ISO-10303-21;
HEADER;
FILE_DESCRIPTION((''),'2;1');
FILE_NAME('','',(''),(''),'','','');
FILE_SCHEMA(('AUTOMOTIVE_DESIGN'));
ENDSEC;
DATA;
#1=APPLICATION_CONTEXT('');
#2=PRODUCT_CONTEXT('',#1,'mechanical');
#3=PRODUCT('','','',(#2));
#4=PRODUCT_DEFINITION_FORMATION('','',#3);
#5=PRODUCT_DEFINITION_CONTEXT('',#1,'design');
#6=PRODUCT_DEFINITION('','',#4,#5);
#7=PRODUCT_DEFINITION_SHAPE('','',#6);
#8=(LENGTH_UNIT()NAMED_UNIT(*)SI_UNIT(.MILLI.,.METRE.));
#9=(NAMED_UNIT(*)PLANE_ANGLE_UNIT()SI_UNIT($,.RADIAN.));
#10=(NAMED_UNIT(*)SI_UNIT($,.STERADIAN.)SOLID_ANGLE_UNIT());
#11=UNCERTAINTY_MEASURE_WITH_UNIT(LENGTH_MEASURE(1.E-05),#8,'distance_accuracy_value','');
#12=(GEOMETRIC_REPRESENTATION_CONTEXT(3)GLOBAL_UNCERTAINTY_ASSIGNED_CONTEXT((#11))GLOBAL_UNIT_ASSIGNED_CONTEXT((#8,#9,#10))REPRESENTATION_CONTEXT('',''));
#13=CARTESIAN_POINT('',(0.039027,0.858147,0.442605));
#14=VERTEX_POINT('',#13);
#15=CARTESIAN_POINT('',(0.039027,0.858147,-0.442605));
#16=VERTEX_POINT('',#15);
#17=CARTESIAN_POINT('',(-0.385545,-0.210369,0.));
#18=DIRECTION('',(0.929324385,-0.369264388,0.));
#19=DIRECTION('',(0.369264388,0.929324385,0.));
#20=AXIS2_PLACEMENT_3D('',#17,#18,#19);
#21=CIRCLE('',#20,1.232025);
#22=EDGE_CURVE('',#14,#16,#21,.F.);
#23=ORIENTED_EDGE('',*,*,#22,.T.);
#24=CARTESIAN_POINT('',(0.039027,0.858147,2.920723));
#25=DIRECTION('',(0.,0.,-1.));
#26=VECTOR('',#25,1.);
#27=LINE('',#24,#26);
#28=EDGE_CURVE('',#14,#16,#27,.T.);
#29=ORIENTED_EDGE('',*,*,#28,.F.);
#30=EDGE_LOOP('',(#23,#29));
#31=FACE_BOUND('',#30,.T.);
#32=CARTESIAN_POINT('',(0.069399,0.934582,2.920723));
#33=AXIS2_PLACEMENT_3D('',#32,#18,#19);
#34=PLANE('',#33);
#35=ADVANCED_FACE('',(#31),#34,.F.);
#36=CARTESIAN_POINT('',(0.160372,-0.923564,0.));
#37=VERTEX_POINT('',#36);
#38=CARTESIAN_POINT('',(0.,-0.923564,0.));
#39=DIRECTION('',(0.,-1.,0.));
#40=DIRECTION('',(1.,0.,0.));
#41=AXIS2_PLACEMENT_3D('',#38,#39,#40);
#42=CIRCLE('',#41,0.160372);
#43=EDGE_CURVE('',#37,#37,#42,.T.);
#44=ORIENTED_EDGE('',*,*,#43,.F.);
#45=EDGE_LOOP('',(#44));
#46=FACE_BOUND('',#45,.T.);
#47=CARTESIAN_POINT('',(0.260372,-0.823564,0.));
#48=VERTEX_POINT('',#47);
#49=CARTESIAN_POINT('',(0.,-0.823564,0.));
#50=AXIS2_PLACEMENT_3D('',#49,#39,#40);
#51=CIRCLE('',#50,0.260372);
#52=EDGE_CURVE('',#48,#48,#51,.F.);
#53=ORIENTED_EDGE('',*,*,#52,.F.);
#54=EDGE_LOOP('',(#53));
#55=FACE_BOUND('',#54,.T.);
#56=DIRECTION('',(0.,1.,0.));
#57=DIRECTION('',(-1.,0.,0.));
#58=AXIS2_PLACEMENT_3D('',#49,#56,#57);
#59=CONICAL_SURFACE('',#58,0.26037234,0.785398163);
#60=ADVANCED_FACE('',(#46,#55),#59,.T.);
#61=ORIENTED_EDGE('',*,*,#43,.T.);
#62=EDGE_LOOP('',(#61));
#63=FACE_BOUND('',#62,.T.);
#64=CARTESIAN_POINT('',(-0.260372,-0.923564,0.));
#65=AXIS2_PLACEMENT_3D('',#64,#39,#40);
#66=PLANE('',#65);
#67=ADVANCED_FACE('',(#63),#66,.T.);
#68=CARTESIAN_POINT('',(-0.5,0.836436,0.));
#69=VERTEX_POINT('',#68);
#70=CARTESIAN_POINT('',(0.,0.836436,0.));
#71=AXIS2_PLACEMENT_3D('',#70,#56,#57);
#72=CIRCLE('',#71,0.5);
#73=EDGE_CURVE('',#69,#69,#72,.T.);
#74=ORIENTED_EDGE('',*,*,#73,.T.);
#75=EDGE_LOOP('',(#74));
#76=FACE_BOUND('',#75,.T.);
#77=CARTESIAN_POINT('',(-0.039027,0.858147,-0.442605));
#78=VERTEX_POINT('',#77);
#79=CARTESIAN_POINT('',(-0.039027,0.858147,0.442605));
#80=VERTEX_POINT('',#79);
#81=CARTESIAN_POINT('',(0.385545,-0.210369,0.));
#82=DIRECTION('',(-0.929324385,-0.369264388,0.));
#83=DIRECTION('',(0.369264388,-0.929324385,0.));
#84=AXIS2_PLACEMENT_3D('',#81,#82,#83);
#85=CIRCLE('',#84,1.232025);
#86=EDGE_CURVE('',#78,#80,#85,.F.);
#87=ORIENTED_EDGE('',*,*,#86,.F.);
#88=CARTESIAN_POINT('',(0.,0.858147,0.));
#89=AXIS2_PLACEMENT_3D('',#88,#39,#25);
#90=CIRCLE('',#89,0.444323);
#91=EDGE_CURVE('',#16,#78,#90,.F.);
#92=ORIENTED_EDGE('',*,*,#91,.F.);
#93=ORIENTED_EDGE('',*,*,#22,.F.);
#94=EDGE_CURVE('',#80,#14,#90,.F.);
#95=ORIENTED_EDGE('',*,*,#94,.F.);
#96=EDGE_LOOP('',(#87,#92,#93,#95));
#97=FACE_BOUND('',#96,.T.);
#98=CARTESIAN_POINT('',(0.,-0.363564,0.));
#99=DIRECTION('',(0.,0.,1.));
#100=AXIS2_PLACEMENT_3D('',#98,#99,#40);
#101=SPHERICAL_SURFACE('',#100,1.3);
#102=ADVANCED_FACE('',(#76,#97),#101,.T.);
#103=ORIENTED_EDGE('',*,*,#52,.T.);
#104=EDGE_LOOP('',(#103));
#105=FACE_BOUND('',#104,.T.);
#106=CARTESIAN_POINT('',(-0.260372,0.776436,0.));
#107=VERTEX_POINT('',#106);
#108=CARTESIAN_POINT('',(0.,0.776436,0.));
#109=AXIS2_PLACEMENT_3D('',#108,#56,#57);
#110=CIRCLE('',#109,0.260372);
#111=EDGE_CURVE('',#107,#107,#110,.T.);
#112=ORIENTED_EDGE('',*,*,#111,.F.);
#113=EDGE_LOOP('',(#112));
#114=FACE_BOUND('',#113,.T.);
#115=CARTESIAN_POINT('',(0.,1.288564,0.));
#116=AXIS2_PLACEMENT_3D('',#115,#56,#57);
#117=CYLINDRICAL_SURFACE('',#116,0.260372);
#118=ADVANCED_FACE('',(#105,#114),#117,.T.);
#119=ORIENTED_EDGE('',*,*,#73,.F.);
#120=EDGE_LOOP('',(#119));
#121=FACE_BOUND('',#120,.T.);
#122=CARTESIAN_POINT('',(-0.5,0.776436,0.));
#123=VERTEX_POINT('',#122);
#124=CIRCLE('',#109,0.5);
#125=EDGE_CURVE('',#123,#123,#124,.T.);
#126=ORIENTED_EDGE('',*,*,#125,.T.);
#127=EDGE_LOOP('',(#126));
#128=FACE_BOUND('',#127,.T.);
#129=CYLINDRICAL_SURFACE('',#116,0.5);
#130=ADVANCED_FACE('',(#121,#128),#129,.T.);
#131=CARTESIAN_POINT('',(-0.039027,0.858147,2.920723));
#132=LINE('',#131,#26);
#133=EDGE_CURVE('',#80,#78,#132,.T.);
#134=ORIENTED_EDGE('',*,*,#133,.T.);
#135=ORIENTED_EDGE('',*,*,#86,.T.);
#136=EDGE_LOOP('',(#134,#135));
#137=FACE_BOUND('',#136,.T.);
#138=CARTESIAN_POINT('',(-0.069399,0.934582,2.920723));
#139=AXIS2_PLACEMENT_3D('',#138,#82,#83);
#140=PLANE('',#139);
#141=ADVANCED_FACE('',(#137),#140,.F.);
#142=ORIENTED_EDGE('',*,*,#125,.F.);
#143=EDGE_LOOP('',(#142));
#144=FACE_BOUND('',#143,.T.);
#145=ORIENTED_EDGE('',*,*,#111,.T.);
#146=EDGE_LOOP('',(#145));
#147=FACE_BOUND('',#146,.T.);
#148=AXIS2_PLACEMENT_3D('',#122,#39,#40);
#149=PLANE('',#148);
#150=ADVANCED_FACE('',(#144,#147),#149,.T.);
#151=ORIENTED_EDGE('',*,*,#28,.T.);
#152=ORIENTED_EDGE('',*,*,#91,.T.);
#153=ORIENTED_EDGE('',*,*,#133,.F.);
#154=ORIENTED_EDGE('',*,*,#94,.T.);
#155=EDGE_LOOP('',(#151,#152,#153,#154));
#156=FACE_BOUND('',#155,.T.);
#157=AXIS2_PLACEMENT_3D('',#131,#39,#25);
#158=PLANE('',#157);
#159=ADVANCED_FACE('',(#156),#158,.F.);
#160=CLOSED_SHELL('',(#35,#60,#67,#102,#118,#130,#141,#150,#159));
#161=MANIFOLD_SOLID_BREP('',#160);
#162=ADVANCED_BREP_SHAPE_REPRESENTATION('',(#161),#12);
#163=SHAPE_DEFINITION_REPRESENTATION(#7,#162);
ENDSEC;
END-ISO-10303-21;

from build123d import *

# Parameters (mm, degrees)
DOME1_FACE_RADIUS       = 0.5
DOME1_HEIGHT            = 0.1
CUT_EXTRUDE2_DEPTH      = 2.173419235
CUT_EXTRUDE2_DEPTH_BACK = 2.173419235
CHAMFER1_SIZE           = 0.1


with BuildPart() as part:
    # Sketch1 → Revolve1 (revolve)
    with BuildSketch(Plane.XY):
        Polygon((0, 0.83643617), (-0.5, 0.83643617), (-0.5, 0.77643617), (-0.26037234, 0.77643617), (-0.26037234, -0.92356383), (0, -0.92356383), align=None)
    revolve(axis=Axis((0, 1.28856383, 0), (0, -1, 0)))

    # Dome1: a dome of height H over a round flat face of radius A is a cap of a sphere of radius (A * A + H * H) / (2 * H)
    dome1_r = (DOME1_FACE_RADIUS * DOME1_FACE_RADIUS + DOME1_HEIGHT * DOME1_HEIGHT) / (2 * DOME1_HEIGHT)
    dome1_base = Plane((0, 0.83643617, 0), z_dir=(0, 1, 0))
    with Locations(dome1_base.offset(DOME1_HEIGHT - dome1_r)):
        dome1_ball = Sphere(dome1_r, mode=Mode.PRIVATE)
    add(split(dome1_ball, bisect_by=dome1_base, keep=Keep.TOP, mode=Mode.PRIVATE))

    # Sketch2 → Cut-Extrude2 (cut, two sides: drawn at the far end of the back side and taken through both)
    with BuildSketch(Plane.XY.offset(-CUT_EXTRUDE2_DEPTH_BACK)):
        Polygon((-5.197321888, 13.839981197), (-0.069398593, 0.934582478), (-0.039027182, 0.858147018), (0.039027182, 0.858147018), (0.069398593, 0.934582478), (5.197321888, 13.839981197), (5.197321888, 41.613703556), (-5.197321888, 41.613703556), align=None)
    extrude(amount=CUT_EXTRUDE2_DEPTH + CUT_EXTRUDE2_DEPTH_BACK, mode=Mode.SUBTRACT)

    # Chamfer1
    chamfer1_edges = [part.edges().sort_by_distance(p)[0] for p in [
        (0.26037234, -0.92356383, 0),
    ]]
    chamfer(chamfer1_edges, length=CHAMFER1_SIZE)


solid = part.part
